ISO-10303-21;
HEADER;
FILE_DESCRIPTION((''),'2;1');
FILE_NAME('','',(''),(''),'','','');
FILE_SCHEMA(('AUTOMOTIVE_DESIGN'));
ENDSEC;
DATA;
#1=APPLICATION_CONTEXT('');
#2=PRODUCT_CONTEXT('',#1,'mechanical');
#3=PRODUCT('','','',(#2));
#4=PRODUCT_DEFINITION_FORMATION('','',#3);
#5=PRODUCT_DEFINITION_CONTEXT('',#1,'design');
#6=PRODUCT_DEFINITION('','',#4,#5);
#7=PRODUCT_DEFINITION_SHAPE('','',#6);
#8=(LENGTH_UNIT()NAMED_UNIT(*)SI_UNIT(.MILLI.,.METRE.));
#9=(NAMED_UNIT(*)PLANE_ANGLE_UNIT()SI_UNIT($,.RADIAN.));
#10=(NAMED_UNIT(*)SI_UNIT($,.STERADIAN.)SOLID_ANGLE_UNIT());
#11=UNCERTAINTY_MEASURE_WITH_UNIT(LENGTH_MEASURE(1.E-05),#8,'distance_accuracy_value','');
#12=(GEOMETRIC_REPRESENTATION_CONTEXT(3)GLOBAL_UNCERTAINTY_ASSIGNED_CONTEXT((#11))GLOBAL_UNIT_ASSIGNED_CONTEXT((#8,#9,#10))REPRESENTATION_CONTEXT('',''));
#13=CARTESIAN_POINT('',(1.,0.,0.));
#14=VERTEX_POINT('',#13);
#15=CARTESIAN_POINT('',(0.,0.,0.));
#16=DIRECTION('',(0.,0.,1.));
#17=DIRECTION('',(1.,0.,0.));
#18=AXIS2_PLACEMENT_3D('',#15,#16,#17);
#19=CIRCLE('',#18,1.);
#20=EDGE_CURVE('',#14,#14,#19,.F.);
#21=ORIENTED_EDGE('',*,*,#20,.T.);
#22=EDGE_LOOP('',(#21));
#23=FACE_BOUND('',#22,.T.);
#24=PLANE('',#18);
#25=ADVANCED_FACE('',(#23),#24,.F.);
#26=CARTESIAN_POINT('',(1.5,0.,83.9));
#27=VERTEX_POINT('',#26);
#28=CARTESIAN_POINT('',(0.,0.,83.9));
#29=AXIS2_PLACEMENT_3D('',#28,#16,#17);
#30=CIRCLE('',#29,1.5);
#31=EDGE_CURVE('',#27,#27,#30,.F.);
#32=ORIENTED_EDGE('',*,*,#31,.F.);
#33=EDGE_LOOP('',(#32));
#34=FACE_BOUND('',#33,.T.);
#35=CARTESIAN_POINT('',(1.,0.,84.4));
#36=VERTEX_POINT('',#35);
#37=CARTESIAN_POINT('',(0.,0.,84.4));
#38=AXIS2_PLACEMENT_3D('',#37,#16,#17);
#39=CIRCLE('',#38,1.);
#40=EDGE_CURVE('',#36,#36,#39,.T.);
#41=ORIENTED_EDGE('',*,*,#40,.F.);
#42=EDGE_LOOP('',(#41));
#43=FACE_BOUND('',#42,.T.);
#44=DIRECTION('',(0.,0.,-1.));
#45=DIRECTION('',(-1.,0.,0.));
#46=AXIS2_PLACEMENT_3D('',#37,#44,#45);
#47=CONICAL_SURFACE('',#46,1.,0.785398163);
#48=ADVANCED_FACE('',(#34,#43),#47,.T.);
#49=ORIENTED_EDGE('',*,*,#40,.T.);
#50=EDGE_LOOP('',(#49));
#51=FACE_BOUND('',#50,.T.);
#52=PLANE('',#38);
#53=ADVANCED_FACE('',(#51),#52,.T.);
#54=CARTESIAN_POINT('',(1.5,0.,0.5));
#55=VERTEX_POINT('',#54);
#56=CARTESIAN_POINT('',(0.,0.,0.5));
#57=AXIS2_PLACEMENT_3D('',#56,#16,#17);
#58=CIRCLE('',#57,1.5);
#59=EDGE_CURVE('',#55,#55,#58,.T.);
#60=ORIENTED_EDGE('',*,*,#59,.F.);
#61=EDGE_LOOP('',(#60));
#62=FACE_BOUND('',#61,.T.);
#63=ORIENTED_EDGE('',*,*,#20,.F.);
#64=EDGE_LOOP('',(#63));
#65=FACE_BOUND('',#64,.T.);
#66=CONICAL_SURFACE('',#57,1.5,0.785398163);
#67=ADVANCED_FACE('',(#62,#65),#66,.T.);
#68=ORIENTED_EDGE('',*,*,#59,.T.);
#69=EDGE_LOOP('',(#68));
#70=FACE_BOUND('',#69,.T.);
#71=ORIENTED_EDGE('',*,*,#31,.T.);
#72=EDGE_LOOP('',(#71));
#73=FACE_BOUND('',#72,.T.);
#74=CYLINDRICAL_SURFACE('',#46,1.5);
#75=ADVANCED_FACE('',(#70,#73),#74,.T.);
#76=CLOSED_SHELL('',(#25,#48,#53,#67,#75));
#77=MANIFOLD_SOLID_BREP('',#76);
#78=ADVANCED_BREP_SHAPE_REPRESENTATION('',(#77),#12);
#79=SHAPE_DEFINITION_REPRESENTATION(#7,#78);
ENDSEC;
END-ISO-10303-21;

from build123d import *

# Parameters (mm, degrees)
SKETCH1_R           = 1.5
BOSS_EXTRUDE1_DEPTH = 84.4
CHAMFER1_SIZE       = 0.5


with BuildPart() as part:
    # Sketch1 → Boss-Extrude1 (new body)
    with BuildSketch(Plane(origin=(0, 0, 0), x_dir=(0, 1, 0), z_dir=(0, 0, 1))):
        with Locations(Location((0, 0, 0), (0, 0, 270))):
            Circle(SKETCH1_R)
    extrude(amount=BOSS_EXTRUDE1_DEPTH)

    # Chamfer1
    chamfer1_edges = [part.edges().sort_by_distance(p)[0] for p in [
        (-1.5, 0, 0),
        (-1.5, 0, 84.4),
    ]]
    chamfer(chamfer1_edges, length=CHAMFER1_SIZE)


solid = part.part
